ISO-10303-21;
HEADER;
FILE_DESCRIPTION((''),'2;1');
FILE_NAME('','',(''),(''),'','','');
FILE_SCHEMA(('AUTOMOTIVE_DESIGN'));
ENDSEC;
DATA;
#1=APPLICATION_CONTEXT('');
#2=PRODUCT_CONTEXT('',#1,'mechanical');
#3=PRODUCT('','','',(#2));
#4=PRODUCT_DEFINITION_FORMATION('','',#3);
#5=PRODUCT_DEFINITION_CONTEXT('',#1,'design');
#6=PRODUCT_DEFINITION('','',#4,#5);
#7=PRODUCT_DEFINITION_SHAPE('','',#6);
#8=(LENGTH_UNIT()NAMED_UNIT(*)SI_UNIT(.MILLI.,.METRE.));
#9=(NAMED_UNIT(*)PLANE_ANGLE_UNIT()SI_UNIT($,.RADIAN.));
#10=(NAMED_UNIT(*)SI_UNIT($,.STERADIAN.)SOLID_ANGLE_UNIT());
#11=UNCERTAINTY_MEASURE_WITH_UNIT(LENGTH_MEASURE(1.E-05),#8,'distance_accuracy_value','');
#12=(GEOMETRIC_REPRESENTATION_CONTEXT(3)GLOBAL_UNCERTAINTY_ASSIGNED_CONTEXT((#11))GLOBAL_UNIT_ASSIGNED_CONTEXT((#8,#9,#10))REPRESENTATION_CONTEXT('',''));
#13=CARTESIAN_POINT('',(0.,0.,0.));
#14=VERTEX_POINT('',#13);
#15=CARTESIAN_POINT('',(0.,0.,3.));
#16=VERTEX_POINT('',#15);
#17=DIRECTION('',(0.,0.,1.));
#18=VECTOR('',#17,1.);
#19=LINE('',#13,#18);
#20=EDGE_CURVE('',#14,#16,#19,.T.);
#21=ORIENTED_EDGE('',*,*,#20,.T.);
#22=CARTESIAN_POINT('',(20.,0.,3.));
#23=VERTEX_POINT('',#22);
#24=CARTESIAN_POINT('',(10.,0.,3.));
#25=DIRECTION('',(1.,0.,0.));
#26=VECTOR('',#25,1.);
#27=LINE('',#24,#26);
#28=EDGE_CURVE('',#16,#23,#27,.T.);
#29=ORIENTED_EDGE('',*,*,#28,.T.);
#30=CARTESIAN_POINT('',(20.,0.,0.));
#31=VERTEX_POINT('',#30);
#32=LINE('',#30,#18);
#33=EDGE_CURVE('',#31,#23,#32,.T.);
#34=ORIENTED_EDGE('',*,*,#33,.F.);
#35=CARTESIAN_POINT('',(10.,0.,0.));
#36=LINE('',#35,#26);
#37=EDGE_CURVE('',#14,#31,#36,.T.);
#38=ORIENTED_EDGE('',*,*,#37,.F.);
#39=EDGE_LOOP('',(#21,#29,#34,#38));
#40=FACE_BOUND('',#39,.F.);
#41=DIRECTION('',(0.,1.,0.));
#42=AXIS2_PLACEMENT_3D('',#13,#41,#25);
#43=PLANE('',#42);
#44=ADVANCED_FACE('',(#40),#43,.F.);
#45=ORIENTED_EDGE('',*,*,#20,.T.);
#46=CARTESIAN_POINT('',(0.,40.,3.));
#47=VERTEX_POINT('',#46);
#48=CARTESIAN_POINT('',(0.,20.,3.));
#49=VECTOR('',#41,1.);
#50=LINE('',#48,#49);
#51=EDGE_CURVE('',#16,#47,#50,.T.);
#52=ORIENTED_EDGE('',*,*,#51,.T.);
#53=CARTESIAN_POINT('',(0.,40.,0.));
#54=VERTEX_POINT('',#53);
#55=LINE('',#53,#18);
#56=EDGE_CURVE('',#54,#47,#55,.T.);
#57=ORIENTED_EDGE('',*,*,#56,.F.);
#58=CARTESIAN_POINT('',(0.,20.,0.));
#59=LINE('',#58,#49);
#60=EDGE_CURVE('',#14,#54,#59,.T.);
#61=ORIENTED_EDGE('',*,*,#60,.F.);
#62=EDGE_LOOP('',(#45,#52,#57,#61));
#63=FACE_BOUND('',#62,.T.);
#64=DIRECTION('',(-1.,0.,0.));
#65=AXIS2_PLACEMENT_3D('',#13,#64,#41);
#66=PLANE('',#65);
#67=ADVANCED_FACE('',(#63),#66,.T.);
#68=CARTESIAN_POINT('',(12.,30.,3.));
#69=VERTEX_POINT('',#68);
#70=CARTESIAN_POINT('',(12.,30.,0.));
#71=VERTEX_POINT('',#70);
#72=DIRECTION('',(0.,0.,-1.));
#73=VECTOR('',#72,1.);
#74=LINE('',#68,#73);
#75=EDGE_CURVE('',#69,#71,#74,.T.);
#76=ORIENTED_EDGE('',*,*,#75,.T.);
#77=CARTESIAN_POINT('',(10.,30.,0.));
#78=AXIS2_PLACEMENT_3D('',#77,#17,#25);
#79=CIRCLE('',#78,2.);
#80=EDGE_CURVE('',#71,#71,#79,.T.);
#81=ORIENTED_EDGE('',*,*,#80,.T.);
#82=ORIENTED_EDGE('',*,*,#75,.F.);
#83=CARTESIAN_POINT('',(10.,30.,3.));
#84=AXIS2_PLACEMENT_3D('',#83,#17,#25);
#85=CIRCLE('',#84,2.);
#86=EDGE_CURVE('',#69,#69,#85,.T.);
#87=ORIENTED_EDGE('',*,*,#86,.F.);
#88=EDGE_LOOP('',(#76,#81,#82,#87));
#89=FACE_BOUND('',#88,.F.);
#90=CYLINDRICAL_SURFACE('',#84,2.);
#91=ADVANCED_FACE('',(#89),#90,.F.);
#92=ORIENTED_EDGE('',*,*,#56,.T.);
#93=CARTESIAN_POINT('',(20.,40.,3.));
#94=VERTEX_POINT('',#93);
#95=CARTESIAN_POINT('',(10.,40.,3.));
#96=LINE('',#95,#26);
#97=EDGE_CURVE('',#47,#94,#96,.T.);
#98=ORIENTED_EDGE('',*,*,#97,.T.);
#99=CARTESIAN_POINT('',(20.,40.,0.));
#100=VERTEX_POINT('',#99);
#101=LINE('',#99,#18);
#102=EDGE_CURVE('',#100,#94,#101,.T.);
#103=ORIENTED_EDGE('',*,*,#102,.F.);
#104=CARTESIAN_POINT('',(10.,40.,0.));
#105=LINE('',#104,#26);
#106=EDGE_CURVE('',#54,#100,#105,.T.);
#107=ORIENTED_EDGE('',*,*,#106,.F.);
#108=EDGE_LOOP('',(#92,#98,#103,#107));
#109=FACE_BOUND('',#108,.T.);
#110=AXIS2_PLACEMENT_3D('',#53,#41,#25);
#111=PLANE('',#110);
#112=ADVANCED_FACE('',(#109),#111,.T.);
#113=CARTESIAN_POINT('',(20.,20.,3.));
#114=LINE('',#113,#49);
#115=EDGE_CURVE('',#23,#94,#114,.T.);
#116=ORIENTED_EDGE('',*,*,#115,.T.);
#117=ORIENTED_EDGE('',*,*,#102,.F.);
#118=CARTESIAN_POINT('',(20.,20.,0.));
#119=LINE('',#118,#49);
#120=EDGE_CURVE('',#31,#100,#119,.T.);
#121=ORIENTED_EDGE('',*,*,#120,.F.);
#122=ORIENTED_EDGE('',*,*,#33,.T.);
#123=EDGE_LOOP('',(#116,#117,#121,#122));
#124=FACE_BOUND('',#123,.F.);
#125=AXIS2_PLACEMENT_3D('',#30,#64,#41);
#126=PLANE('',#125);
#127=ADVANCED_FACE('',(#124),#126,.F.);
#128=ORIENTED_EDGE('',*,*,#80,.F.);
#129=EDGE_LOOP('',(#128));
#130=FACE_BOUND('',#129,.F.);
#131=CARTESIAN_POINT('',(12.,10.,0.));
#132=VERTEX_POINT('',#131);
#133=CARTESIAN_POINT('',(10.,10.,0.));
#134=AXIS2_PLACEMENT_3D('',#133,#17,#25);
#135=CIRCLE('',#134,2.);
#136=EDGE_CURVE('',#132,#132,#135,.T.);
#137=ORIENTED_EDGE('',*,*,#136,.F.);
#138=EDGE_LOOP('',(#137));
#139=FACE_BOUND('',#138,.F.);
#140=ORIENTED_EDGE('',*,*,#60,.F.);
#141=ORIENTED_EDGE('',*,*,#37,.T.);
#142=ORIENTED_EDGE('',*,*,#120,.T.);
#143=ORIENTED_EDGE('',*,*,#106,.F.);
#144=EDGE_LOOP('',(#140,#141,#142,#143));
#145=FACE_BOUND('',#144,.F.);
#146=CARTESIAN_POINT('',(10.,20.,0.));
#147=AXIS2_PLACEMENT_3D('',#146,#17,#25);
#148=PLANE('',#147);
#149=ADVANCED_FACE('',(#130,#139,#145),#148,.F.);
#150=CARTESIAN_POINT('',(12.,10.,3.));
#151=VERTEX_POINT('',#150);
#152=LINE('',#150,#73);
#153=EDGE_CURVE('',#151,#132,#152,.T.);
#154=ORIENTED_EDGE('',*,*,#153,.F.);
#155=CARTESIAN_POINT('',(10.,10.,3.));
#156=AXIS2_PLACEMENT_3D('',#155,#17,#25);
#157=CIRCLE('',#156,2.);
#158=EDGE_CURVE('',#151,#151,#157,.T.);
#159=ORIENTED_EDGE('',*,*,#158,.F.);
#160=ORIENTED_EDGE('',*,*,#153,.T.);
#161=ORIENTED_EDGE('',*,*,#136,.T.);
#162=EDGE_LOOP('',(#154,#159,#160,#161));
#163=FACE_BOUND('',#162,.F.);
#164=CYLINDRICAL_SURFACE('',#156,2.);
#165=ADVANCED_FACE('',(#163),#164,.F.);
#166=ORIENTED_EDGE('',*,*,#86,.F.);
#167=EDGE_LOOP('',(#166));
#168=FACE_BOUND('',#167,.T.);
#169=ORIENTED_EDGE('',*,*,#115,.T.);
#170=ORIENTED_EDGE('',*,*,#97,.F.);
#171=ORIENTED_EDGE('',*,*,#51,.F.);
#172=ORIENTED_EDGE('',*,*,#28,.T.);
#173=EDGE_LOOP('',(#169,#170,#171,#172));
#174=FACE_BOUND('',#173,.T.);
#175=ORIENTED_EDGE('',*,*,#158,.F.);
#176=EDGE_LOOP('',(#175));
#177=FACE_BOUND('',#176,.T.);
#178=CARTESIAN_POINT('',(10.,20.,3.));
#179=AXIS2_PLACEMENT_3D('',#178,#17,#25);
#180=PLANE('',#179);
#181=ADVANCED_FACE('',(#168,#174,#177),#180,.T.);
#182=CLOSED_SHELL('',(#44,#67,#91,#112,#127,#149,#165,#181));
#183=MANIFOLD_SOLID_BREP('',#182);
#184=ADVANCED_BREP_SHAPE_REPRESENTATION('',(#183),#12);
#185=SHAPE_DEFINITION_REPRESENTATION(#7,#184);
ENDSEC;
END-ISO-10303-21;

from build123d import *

# Parameters (mm, degrees)
SKETCH1_W           = 20
SKETCH1_H           = 40
BOSS_EXTRUDE1_DEPTH = 3
SKETCH2_R           = 2
CUT_EXTRUDE1_DEPTH  = 4
SKETCH3_R           = 2
CUT_EXTRUDE2_DEPTH  = 4


with BuildPart() as part:
    # Sketch1 → Boss-Extrude1 (new body)
    with BuildSketch(Plane.XY):
        with Locations((10, 20)):
            Rectangle(SKETCH1_W, SKETCH1_H)
    extrude(amount=BOSS_EXTRUDE1_DEPTH)

    # Sketch2 → Cut-Extrude1 (cut, through all)
    with BuildSketch(Plane.XY.offset(3)):
        with Locations((10, 10)):
            Circle(SKETCH2_R)
    extrude(amount=-CUT_EXTRUDE1_DEPTH, mode=Mode.SUBTRACT)

    # Sketch3 → Cut-Extrude2 (cut, through all)
    with BuildSketch(Plane.XY.offset(3)):
        with Locations((10, 30)):
            Circle(SKETCH3_R)
    extrude(amount=-CUT_EXTRUDE2_DEPTH, mode=Mode.SUBTRACT)


solid = part.part
